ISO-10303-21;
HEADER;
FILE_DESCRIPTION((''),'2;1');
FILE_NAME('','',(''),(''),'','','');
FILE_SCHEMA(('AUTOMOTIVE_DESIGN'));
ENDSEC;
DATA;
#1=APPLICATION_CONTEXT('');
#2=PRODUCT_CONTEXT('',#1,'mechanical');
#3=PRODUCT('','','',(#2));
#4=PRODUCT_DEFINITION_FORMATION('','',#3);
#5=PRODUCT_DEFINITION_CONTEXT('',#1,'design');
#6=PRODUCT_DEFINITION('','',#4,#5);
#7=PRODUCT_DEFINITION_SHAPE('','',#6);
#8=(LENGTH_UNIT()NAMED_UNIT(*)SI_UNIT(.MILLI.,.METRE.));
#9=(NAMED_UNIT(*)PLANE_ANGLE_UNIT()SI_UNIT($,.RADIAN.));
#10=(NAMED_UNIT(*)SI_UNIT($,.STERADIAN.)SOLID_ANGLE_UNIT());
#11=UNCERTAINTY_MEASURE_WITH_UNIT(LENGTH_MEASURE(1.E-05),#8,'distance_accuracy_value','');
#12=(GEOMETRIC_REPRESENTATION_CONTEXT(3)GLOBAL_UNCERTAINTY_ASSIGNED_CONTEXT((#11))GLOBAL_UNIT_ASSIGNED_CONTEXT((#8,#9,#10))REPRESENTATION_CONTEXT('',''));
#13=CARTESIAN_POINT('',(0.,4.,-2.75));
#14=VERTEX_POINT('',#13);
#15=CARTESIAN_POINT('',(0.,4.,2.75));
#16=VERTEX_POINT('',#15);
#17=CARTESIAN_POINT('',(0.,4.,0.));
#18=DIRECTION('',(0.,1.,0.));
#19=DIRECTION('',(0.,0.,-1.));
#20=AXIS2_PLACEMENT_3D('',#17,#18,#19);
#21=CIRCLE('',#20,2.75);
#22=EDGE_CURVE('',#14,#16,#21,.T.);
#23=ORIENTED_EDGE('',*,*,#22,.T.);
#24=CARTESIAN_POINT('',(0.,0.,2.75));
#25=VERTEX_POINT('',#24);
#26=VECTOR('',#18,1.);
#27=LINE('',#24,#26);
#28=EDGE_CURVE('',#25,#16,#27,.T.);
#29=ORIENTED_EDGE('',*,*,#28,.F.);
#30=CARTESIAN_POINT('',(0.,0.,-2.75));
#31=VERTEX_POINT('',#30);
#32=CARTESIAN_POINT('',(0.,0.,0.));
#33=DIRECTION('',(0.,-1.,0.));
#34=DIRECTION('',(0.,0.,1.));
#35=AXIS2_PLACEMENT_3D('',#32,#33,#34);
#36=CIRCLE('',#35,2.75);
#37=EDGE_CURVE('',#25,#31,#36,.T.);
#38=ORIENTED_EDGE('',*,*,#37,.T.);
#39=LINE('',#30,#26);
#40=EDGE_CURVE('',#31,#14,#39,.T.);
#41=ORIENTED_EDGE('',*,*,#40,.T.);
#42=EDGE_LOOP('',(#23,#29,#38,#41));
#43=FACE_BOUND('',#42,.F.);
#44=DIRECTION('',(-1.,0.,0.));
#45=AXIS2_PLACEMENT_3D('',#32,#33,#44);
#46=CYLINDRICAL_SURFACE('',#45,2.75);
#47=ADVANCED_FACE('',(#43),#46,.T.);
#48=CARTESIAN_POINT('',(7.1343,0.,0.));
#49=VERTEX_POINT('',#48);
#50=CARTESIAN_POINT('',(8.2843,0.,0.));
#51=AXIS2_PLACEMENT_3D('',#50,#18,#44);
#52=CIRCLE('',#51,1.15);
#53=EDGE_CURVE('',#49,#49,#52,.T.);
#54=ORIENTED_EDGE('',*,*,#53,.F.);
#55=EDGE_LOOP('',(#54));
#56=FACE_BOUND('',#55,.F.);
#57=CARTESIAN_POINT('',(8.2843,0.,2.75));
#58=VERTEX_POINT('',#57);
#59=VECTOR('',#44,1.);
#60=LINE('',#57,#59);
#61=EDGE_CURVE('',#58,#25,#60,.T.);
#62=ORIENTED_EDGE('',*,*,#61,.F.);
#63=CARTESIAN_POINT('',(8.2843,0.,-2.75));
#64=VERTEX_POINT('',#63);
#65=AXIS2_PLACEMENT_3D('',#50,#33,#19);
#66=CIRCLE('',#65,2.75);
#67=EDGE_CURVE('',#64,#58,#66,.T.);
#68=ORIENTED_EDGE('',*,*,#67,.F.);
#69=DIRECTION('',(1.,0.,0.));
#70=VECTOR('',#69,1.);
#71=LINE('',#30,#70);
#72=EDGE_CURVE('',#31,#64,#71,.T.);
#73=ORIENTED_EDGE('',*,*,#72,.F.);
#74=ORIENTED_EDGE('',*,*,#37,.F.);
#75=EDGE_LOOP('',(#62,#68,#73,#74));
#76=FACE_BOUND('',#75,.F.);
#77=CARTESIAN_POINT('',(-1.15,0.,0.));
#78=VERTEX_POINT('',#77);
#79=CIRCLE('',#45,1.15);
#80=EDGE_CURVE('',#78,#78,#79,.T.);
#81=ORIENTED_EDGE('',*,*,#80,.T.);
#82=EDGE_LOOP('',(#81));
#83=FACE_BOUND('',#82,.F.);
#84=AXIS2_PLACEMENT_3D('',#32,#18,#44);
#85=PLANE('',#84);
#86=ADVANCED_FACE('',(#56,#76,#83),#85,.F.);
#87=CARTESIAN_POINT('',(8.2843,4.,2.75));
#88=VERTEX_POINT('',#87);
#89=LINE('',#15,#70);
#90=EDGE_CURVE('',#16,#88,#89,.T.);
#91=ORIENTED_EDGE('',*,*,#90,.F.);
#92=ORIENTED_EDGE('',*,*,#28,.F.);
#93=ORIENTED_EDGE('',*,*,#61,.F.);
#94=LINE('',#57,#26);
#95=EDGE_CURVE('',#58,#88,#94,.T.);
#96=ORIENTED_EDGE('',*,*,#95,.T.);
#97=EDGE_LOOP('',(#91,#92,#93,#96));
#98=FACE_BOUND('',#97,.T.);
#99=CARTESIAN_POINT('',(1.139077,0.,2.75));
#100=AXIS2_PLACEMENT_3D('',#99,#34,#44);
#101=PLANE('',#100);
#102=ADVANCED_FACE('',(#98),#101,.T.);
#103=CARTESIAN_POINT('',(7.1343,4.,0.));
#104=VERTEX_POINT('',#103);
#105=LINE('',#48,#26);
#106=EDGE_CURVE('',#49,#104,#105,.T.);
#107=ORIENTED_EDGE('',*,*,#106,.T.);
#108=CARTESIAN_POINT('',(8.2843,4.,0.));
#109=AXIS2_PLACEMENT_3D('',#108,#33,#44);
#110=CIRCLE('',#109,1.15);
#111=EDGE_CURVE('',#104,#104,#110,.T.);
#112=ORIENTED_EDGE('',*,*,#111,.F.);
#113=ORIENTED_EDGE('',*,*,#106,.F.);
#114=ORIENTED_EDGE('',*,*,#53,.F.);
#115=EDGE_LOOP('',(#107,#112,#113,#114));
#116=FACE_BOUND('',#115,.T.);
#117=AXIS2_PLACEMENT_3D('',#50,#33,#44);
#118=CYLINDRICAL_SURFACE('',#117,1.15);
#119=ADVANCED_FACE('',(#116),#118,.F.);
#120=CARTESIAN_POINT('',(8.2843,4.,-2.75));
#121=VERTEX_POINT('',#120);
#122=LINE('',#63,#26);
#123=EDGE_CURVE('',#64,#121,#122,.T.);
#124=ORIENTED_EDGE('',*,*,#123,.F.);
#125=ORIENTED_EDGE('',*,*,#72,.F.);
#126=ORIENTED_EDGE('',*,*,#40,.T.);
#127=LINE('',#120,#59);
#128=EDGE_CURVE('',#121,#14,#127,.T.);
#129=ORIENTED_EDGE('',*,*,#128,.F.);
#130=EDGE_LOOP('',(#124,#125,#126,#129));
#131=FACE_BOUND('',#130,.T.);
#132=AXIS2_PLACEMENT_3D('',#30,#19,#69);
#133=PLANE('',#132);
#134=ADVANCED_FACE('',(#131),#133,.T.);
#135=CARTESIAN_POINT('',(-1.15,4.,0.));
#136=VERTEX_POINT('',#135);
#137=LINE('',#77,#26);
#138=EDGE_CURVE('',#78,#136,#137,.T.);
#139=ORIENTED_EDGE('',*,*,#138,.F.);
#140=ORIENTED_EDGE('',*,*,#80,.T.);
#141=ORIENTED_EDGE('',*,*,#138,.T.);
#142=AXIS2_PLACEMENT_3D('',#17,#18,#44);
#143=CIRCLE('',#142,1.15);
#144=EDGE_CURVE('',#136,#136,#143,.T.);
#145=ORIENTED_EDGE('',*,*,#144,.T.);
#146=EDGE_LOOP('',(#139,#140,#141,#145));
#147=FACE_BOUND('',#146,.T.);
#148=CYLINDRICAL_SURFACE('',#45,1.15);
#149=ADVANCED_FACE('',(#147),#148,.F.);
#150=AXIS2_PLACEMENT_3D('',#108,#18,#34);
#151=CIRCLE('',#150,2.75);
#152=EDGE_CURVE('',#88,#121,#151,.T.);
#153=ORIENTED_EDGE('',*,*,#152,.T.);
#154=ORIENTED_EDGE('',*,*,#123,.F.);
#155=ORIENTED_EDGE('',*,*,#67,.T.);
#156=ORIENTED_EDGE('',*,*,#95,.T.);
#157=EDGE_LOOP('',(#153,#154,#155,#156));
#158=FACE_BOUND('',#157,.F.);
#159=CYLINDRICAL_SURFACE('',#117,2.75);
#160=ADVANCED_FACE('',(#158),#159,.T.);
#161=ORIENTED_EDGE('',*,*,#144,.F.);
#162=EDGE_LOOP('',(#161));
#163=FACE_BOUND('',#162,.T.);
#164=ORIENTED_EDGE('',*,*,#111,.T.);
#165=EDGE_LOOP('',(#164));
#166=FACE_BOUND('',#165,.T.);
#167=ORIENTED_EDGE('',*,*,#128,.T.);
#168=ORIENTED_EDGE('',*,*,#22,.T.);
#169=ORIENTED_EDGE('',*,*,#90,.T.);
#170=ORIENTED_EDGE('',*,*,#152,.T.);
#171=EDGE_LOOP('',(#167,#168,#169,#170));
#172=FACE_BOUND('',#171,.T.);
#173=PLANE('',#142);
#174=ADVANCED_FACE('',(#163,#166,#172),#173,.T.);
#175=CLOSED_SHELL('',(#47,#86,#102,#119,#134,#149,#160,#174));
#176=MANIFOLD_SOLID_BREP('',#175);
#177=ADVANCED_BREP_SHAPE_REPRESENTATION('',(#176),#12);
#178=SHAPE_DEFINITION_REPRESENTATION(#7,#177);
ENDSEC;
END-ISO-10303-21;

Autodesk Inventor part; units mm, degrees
ref_plane "YZ Plane" through (0, 0, 0) normal (1, 0, 0) x (0, 1, 0)
ref_plane "XZ Plane" through (0, 0, 0) normal (0, 1, 0) x (-1, 0, 0)
ref_plane "XY Plane" through (0, 0, 0) normal (0, 0, 1) x (1, 0, 0)
sketch "スケッチ1" plane through (0, 0, 0) normal (0, 1, 0) x (-1, 0, 0)
  circle A0 centre (0, 0) radius 1.15
  circle A1 centre (0, 0) radius 2.75
  circle A2 centre (-8.2843, 0) radius 2.75
  circle A3 centre (-8.2843, 0) radius 1.15
  line L0 (0, -2.75) -> (-8.2843, -2.75)
  line L1 (-8.2843, -2.75) -> (-8.2843, 2.75) construction
  line L2 (-8.2843, 2.75) -> (0, 2.75)
  line L3 (0, 2.75) -> (0, -2.75) construction
  line L4 (-3.55, -2.75) -> (-4.7343, -2.75)
  line L5 (-4.7343, -2.75) -> (-4.7343, 2.75)
  line L6 (-4.7343, 2.75) -> (-3.55, 2.75)
  line L7 (-3.55, 2.75) -> (-3.55, -2.75)
  circle A4 centre (0, 0) radius 3.55 construction
  circle A5 centre (-8.2843, 0) radius 3.55 construction
  circle A6 centre (-4.1421, 10) radius 10
  line L8 (0, 0) -> (-8.2843, 0)
  line L9 (-4.1421, 10) -> (0, 0)
  line L10 (-8.2843, 0) -> (-4.1421, 10)
  point P0 (-3.55, 2.75)
  point P1 (-4.7343, -2.75)
  point P2 (-8.2843, -2.75)
  point P3 (0, 2.75)
  point P4 (-4.1421, 0)
  point P5 (-4.1421, 0)
  point P6 (-4.7343, 0)
  point P7 (-3.55, 0)
  point P8 (-4.7343, 0.0175)
  point P9 (-3.55, 0.0175)
  dimension "d1" = 5.5
  dimension "d0" = 2.3
  dimension "d7" = 7.1
  dimension "d8" = 7.1
  dimension "d9" = 20
  dimension "d10" = 45
extrude "押し出し2" add sketch "スケッチ1" along normal blind 4 contours A0 A6 A1 L8 | A0 L9 A1 A6 | L8 A1 A6 A0 | A0 A6 A1 L9 | L8 L7 A6 A1 | A1 L0 L7 L8 | L9 L2 A1 | A1 A6 L7 L2 L9 | L8 A6 L7 | L7 L0 L5 L8 | A6 A3 L8 A2 | A2 L10 A3 A6 | A6 L5 L2 L7 | L8 L5 A6 | L2 L10 A2 | A2 L8 L5 L0 | A6 A2 L10 L2 L5 | L5 L8 A2 A6 | A2 A6 A3 L10 | L8 A3 A6 A2
properties part number "chain_2"
